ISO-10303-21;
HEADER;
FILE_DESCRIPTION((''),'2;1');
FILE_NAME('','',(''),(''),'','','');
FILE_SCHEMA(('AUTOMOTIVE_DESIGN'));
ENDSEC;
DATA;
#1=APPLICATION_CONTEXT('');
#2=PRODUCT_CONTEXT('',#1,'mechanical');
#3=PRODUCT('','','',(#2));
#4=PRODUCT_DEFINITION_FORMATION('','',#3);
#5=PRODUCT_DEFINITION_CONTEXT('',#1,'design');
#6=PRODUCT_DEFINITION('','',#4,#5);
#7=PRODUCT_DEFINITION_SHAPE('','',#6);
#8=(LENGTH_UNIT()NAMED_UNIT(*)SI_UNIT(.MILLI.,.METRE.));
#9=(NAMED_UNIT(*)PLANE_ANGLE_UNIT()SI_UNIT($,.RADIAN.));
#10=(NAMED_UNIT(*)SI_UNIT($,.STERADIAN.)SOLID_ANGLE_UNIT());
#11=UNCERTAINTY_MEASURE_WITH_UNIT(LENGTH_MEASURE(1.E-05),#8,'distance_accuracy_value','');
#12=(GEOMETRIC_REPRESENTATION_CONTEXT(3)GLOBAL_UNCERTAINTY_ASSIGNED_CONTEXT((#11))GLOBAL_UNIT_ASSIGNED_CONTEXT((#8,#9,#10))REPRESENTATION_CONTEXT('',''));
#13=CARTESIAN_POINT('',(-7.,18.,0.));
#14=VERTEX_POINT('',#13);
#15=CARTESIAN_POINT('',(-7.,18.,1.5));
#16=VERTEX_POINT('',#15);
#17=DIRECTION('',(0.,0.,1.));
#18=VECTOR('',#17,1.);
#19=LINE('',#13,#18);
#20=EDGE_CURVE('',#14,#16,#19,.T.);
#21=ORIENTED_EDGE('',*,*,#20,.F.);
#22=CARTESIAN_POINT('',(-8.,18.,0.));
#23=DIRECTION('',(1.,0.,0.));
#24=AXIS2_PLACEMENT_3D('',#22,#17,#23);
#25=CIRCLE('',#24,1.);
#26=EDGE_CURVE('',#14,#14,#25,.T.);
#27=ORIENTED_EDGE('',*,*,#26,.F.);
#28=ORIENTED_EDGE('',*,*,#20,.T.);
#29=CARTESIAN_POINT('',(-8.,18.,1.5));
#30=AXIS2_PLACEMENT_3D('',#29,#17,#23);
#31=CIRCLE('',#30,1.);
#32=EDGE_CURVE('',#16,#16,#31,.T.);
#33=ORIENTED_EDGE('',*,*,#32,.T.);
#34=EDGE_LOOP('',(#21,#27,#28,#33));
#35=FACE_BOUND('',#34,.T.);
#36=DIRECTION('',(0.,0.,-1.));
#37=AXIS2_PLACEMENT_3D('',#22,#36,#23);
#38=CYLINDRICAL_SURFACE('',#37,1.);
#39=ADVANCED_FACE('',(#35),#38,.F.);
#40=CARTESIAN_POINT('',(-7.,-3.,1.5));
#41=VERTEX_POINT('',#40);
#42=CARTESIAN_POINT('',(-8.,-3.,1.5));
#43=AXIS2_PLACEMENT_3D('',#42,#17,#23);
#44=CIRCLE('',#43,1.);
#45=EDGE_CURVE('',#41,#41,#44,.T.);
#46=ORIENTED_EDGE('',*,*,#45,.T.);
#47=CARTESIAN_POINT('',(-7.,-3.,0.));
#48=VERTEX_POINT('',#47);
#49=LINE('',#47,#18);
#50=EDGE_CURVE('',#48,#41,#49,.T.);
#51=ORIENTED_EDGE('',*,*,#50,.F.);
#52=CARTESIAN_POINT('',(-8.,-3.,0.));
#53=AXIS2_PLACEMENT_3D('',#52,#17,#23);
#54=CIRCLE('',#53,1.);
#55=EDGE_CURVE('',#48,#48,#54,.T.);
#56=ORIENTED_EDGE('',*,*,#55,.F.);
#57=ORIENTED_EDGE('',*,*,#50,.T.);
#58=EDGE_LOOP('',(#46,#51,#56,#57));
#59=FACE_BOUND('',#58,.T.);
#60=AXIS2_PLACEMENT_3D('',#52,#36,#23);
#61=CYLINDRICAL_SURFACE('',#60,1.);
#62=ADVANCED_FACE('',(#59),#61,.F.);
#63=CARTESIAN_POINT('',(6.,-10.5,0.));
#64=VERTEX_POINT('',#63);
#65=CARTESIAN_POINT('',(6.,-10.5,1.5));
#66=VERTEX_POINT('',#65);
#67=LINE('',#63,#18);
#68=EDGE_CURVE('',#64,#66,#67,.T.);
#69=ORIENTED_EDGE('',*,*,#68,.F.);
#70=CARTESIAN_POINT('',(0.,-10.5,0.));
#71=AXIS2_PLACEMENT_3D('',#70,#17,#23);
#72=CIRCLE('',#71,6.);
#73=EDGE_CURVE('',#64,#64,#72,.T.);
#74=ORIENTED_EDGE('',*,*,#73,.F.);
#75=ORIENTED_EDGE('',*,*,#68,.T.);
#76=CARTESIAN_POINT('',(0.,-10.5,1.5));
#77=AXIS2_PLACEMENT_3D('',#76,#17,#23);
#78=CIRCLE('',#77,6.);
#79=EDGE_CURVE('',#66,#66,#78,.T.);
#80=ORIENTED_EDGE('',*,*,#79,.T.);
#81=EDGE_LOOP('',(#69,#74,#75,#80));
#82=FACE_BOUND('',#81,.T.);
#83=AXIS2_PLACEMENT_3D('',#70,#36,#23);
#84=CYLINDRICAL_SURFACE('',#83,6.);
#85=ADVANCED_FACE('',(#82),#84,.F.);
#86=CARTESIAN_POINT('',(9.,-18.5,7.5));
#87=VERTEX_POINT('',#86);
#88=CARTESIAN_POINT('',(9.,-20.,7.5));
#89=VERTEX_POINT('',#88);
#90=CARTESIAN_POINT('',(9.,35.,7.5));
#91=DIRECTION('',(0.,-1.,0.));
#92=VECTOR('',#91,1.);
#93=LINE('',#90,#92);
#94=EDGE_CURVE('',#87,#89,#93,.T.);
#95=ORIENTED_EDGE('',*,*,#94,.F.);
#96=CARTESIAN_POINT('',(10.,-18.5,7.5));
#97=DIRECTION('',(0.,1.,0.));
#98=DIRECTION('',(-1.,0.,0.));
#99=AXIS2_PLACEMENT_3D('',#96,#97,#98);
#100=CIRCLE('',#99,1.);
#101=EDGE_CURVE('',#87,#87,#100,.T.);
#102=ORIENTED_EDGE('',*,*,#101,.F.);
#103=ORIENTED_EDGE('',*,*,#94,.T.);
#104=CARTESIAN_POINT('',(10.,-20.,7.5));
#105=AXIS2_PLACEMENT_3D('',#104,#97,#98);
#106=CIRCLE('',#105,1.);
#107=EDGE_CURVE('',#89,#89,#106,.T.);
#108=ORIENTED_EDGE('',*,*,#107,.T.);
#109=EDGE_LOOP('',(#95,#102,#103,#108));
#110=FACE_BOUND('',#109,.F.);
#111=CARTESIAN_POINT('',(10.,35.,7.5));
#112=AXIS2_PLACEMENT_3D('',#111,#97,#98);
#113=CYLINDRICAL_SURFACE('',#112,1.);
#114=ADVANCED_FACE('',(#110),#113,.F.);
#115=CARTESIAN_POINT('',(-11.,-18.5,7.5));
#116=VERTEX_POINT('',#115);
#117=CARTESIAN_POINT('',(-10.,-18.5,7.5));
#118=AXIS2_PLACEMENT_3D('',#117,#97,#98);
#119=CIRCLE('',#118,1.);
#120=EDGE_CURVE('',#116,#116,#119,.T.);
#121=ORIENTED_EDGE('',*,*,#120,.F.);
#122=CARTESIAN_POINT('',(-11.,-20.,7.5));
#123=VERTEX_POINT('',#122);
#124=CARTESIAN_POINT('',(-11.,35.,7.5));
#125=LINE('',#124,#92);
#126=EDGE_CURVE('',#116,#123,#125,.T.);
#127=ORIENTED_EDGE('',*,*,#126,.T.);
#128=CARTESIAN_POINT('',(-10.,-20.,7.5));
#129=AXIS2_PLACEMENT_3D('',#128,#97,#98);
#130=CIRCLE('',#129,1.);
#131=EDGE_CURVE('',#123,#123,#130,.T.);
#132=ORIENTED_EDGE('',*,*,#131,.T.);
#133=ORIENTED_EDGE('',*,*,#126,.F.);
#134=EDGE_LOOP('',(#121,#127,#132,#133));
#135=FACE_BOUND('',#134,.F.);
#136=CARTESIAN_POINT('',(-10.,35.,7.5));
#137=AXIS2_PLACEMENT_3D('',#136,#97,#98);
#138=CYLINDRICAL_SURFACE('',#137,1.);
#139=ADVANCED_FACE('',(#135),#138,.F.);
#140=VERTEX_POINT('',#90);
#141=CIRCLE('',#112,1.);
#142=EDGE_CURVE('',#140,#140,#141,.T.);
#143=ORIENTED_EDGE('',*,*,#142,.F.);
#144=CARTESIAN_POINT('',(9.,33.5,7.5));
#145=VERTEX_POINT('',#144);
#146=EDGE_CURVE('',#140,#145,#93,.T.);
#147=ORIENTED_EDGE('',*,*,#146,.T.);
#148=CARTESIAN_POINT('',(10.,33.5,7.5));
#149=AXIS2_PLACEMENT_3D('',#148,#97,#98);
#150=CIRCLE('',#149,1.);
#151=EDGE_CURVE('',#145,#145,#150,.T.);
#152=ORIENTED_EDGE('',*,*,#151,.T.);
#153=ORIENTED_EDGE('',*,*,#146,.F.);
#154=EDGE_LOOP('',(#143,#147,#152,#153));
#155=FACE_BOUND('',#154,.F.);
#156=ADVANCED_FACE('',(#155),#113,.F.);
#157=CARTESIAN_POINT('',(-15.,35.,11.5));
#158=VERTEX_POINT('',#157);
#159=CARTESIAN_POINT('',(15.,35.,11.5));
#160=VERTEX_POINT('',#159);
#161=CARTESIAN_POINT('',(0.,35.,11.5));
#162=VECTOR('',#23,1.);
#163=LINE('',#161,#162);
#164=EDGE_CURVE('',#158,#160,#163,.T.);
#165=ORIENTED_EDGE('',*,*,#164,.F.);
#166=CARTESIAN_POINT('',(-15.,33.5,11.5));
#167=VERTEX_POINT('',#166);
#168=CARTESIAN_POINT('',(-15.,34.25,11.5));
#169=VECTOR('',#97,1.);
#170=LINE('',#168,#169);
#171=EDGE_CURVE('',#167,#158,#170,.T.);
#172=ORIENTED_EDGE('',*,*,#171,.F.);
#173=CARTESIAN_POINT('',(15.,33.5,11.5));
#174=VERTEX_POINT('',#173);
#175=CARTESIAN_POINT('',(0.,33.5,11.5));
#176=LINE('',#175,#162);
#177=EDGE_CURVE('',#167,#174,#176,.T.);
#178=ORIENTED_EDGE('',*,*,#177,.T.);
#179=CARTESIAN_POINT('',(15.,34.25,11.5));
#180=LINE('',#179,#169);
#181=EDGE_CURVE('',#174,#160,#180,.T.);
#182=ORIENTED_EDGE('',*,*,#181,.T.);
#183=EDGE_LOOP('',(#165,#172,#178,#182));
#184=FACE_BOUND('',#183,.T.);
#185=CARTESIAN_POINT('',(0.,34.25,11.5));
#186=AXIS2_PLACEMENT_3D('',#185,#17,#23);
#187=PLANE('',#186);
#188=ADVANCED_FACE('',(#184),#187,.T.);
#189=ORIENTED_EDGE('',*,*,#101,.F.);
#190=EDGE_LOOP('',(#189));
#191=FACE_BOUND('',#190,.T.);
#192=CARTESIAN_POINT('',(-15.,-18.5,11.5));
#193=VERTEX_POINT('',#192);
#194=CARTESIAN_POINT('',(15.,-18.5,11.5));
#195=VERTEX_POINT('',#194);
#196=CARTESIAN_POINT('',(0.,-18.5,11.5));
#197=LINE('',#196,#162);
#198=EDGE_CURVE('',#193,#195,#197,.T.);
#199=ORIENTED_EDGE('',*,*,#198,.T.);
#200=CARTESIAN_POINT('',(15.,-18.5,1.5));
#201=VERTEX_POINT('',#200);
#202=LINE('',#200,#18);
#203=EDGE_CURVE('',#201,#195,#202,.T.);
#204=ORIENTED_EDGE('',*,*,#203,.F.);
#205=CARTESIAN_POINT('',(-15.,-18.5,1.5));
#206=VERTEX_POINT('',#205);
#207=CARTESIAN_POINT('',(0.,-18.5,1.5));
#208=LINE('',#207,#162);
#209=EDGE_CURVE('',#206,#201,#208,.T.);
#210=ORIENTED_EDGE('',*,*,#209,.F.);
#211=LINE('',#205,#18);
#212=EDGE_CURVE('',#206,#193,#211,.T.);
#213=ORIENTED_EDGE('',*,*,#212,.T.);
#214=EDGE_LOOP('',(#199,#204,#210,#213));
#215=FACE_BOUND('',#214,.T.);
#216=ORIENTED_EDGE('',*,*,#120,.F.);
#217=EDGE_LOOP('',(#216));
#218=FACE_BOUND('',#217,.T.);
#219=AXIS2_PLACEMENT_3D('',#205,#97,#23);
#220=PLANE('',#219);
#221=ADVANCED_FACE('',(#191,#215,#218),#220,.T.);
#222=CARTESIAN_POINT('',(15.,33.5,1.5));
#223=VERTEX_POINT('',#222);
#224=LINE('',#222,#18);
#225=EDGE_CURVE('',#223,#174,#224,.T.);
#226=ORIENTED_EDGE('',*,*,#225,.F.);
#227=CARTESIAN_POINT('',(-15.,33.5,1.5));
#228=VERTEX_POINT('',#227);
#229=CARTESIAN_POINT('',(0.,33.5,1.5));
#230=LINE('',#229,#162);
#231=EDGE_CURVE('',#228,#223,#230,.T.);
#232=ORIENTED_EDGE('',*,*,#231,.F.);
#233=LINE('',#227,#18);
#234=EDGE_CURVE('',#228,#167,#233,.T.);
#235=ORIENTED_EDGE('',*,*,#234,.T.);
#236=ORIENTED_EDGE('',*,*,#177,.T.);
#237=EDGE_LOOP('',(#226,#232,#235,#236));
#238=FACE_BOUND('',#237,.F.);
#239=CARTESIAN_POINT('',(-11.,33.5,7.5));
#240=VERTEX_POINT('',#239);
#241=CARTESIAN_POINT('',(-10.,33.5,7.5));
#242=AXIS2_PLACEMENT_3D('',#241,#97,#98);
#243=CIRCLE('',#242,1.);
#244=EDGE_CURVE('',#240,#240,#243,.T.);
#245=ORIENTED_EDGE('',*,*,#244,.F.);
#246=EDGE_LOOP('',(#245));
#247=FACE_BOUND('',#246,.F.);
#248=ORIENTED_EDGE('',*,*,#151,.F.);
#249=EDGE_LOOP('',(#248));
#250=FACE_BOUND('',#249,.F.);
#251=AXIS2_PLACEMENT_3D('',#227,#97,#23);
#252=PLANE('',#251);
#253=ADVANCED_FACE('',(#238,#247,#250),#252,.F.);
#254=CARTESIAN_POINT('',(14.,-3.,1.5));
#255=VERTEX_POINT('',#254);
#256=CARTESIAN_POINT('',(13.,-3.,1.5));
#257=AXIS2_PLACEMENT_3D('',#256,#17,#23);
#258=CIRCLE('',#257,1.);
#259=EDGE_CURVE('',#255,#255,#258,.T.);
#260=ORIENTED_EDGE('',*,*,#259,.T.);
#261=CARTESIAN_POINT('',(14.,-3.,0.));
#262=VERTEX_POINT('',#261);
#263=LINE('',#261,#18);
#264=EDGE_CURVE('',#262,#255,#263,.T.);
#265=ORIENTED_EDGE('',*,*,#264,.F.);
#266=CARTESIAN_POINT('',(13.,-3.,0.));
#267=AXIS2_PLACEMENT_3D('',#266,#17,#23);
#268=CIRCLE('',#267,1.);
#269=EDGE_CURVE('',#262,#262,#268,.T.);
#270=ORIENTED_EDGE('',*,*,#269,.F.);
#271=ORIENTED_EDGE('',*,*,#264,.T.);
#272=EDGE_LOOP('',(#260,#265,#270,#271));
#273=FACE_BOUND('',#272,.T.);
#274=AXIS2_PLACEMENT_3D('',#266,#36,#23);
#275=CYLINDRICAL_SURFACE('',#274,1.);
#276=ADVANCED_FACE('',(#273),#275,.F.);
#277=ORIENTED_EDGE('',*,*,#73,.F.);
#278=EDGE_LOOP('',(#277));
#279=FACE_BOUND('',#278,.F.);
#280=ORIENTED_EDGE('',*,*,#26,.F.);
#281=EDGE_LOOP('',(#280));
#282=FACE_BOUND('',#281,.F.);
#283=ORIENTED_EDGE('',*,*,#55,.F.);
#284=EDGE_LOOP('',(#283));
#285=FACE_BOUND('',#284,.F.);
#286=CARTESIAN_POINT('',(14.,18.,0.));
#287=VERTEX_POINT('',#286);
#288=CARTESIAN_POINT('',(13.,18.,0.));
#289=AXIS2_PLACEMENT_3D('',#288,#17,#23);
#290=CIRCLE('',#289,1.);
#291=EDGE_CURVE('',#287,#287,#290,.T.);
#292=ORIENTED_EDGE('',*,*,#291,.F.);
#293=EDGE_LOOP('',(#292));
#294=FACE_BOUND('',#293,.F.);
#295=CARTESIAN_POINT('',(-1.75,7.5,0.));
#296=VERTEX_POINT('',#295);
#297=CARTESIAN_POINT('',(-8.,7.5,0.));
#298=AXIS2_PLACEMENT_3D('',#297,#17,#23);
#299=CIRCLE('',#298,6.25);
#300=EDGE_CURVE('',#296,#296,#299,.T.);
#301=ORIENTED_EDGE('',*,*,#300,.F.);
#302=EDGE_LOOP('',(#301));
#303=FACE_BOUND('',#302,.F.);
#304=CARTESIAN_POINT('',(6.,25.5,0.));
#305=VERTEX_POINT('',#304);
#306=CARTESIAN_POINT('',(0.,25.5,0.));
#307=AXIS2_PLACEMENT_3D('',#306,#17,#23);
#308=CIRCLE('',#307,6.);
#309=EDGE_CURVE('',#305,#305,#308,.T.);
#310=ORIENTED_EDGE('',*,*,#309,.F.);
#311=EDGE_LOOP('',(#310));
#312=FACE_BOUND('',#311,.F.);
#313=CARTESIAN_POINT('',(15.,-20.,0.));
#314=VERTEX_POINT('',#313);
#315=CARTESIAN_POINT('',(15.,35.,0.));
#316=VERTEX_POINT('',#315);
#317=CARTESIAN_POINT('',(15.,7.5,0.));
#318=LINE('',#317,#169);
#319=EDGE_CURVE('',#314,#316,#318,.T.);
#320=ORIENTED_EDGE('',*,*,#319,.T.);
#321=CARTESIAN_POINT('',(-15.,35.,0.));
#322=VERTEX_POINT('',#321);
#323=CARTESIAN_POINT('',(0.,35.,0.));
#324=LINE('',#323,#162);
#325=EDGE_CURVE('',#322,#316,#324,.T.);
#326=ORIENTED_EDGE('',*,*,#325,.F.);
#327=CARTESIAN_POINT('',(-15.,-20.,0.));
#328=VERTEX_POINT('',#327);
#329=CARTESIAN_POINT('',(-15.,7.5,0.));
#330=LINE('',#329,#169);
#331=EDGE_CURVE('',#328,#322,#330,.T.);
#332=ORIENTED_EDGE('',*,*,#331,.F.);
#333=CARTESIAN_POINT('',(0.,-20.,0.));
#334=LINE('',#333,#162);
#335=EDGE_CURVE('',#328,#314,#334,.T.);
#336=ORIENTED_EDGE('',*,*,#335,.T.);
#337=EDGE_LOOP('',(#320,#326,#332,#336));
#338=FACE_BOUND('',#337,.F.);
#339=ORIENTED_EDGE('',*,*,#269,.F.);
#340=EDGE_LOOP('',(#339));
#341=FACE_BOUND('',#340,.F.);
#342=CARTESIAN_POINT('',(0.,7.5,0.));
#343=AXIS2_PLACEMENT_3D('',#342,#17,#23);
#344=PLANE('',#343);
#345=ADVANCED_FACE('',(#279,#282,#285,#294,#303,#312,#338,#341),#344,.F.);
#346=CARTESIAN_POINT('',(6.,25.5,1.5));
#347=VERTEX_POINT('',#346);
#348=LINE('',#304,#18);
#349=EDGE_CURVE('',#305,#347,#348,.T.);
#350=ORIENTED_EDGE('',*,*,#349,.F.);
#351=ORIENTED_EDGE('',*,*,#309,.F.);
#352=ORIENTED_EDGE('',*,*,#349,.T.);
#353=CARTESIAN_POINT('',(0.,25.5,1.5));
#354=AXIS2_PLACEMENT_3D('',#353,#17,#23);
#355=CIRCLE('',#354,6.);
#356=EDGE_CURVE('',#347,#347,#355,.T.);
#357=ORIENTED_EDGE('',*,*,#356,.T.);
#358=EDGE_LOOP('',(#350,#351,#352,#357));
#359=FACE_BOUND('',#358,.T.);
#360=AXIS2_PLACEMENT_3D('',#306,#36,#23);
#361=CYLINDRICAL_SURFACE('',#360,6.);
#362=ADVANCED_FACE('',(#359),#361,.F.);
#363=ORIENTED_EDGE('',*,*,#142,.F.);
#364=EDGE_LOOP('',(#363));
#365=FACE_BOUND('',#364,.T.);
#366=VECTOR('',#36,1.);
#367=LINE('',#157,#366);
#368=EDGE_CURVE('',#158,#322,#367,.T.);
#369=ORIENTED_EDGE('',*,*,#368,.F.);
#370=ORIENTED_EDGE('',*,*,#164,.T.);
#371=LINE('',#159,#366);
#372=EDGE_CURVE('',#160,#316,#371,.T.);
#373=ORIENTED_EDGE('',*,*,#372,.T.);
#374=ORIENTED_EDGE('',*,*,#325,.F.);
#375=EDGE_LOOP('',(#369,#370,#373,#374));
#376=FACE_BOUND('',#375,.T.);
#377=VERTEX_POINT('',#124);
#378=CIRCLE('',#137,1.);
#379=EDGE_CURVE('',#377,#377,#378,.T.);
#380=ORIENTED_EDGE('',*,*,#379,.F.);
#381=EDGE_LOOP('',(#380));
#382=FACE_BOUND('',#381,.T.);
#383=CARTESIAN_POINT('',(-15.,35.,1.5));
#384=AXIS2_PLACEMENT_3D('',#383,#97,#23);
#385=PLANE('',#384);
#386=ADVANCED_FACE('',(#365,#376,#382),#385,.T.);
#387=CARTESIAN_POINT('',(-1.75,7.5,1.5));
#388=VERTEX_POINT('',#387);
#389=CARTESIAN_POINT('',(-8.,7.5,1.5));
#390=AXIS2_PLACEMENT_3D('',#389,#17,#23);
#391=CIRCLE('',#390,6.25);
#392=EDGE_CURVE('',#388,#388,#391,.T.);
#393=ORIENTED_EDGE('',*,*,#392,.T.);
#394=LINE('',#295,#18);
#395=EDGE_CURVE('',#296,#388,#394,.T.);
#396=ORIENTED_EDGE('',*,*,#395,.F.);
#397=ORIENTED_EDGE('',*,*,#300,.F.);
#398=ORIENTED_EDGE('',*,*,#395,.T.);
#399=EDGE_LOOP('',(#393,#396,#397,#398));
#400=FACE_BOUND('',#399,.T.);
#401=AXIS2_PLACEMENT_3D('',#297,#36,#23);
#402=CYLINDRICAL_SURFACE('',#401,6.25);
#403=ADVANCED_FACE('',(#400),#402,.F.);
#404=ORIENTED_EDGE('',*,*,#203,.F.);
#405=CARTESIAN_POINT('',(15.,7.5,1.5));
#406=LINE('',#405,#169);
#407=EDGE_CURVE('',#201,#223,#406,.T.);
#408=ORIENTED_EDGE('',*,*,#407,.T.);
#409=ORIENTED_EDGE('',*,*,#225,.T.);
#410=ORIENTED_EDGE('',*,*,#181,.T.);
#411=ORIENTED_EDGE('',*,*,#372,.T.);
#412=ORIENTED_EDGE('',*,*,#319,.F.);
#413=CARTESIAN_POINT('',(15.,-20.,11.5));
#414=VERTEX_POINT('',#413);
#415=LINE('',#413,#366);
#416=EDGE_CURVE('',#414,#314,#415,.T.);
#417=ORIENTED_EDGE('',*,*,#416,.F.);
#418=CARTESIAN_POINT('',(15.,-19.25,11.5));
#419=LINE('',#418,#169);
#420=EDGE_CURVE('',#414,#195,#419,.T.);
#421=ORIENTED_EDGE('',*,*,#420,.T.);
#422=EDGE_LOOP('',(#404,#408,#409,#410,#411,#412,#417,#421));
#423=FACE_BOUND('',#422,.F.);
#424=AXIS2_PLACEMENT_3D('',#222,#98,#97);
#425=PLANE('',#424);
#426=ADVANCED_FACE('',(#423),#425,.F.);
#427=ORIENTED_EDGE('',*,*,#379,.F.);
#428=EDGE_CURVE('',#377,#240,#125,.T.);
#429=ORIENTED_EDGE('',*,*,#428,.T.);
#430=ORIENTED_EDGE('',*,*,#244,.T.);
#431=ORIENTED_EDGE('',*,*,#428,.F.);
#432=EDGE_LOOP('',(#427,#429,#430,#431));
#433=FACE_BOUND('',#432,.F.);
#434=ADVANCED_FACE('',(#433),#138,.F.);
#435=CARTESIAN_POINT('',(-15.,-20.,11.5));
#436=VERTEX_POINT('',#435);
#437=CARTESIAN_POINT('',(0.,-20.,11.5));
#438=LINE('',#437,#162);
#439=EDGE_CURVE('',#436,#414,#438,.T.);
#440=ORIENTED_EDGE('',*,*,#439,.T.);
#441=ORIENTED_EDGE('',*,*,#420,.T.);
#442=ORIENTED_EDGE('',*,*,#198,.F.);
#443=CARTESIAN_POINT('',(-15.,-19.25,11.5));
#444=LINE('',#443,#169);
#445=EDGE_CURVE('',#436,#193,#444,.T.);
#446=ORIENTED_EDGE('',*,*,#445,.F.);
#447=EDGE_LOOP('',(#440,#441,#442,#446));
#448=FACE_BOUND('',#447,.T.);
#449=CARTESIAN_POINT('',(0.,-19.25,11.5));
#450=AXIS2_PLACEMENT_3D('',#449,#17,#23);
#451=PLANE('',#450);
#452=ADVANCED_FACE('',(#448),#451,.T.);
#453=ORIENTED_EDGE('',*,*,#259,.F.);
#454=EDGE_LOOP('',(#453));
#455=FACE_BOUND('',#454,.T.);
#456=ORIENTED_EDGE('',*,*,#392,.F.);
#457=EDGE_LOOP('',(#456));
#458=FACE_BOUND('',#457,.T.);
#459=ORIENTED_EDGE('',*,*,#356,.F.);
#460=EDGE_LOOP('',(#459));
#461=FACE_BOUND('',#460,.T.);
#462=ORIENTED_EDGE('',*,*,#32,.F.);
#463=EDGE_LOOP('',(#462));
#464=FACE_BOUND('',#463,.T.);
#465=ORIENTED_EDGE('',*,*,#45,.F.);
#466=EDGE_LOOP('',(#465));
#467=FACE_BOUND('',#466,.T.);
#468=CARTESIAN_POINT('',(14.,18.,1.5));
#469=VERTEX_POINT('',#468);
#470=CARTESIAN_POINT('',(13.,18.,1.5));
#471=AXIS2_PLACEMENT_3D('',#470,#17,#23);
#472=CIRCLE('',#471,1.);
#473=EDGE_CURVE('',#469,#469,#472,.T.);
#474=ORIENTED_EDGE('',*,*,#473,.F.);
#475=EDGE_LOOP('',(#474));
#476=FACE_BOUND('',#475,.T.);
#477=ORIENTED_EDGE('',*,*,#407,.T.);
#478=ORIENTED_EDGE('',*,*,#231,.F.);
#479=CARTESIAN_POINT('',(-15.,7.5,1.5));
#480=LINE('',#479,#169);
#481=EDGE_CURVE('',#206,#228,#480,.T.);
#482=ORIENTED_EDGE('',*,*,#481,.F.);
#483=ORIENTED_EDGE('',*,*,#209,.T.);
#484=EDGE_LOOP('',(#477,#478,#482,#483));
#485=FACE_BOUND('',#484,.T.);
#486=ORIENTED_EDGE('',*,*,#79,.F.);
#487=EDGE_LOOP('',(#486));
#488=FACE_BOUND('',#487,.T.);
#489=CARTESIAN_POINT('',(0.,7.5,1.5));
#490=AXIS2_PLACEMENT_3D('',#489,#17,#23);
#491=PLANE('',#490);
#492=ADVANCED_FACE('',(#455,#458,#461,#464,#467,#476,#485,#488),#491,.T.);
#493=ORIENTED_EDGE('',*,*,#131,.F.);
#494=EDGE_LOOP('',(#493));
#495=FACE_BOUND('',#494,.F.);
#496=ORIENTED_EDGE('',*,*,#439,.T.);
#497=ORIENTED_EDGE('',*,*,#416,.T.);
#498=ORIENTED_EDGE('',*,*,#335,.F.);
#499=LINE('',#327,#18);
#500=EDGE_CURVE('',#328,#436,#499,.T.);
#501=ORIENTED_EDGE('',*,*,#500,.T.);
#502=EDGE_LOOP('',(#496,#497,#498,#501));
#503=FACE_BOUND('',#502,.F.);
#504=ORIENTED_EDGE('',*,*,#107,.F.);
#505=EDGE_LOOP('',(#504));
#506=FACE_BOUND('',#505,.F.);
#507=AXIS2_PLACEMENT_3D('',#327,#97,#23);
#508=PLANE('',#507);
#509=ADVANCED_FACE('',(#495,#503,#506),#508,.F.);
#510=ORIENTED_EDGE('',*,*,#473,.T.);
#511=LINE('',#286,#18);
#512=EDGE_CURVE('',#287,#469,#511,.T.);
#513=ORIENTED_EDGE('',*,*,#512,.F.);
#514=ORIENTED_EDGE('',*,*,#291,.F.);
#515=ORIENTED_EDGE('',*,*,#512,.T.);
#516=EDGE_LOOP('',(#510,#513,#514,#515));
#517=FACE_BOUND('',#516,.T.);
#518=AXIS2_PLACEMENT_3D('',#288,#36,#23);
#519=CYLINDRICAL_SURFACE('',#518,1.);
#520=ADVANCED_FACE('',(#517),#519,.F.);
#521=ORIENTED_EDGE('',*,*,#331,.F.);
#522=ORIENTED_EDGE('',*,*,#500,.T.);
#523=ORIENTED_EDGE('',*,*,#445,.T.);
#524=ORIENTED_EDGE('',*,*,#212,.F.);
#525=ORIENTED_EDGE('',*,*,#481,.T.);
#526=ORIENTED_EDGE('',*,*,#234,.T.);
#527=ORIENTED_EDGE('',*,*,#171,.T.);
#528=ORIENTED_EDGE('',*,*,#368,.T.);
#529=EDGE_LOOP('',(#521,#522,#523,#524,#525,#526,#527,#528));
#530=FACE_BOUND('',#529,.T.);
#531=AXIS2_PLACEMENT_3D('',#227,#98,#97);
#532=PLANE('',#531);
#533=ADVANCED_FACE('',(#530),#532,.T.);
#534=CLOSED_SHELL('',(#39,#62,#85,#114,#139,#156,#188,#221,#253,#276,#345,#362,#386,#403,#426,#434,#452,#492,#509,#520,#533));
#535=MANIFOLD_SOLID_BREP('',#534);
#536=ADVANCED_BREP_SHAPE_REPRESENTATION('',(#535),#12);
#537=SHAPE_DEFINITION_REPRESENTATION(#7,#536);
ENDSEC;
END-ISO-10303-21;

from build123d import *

# Parameters (mm, degrees)
F0_W     = 30
F0_H     = 55
F0_R     = 1
F0_R_2   = 6
F0_R_3   = 6.25
F1_DEPTH = 1.5
F2_W     = 30
F2_H     = 1.5
F3_DEPTH = 10
F4_R     = 1
F5_DEPTH = 55.001


with BuildPart() as f1:
    # F0 (on Top) → F1 (new body)
    with BuildSketch(Plane.XY):
        with Locations((0, 7.5)):
            Rectangle(F0_W, F0_H)
        with Locations((-8, -3)):
            Circle(F0_R, mode=Mode.SUBTRACT)
        with Locations((0, -10.5)):
            Circle(F0_R_2, mode=Mode.SUBTRACT)
        with Locations((13, -3)):
            Circle(F0_R, mode=Mode.SUBTRACT)
        with Locations((-8, 7.5)):
            Circle(F0_R_3, mode=Mode.SUBTRACT)
        with Locations((-8, 18)):
            Circle(F0_R, mode=Mode.SUBTRACT)
        with Locations((13, 18)):
            Circle(F0_R, mode=Mode.SUBTRACT)
        with Locations((0, 25.5)):
            Circle(F0_R_2, mode=Mode.SUBTRACT)
    extrude(amount=F1_DEPTH)

    # F2 (on face) → F3 (join)
    with BuildSketch(Plane.XY.offset(1.5)):
        with Locations((0, 34.25)):
            Rectangle(F2_W, F2_H)
        with Locations((0, -19.25)):
            Rectangle(F2_W, F2_H)
    extrude(amount=F3_DEPTH)

    # F4 (on face) → F5 (cut, through all)
    with BuildSketch(Plane(origin=(0, 35, 0), x_dir=(-1, 0, 0), z_dir=(0, 1, 0))):
        with Locations((-10, 7.5)):
            Circle(F4_R)
        with Locations((10, 7.5)):
            Circle(F4_R)
    extrude(amount=-F5_DEPTH, mode=Mode.SUBTRACT)


solid = f1.part
